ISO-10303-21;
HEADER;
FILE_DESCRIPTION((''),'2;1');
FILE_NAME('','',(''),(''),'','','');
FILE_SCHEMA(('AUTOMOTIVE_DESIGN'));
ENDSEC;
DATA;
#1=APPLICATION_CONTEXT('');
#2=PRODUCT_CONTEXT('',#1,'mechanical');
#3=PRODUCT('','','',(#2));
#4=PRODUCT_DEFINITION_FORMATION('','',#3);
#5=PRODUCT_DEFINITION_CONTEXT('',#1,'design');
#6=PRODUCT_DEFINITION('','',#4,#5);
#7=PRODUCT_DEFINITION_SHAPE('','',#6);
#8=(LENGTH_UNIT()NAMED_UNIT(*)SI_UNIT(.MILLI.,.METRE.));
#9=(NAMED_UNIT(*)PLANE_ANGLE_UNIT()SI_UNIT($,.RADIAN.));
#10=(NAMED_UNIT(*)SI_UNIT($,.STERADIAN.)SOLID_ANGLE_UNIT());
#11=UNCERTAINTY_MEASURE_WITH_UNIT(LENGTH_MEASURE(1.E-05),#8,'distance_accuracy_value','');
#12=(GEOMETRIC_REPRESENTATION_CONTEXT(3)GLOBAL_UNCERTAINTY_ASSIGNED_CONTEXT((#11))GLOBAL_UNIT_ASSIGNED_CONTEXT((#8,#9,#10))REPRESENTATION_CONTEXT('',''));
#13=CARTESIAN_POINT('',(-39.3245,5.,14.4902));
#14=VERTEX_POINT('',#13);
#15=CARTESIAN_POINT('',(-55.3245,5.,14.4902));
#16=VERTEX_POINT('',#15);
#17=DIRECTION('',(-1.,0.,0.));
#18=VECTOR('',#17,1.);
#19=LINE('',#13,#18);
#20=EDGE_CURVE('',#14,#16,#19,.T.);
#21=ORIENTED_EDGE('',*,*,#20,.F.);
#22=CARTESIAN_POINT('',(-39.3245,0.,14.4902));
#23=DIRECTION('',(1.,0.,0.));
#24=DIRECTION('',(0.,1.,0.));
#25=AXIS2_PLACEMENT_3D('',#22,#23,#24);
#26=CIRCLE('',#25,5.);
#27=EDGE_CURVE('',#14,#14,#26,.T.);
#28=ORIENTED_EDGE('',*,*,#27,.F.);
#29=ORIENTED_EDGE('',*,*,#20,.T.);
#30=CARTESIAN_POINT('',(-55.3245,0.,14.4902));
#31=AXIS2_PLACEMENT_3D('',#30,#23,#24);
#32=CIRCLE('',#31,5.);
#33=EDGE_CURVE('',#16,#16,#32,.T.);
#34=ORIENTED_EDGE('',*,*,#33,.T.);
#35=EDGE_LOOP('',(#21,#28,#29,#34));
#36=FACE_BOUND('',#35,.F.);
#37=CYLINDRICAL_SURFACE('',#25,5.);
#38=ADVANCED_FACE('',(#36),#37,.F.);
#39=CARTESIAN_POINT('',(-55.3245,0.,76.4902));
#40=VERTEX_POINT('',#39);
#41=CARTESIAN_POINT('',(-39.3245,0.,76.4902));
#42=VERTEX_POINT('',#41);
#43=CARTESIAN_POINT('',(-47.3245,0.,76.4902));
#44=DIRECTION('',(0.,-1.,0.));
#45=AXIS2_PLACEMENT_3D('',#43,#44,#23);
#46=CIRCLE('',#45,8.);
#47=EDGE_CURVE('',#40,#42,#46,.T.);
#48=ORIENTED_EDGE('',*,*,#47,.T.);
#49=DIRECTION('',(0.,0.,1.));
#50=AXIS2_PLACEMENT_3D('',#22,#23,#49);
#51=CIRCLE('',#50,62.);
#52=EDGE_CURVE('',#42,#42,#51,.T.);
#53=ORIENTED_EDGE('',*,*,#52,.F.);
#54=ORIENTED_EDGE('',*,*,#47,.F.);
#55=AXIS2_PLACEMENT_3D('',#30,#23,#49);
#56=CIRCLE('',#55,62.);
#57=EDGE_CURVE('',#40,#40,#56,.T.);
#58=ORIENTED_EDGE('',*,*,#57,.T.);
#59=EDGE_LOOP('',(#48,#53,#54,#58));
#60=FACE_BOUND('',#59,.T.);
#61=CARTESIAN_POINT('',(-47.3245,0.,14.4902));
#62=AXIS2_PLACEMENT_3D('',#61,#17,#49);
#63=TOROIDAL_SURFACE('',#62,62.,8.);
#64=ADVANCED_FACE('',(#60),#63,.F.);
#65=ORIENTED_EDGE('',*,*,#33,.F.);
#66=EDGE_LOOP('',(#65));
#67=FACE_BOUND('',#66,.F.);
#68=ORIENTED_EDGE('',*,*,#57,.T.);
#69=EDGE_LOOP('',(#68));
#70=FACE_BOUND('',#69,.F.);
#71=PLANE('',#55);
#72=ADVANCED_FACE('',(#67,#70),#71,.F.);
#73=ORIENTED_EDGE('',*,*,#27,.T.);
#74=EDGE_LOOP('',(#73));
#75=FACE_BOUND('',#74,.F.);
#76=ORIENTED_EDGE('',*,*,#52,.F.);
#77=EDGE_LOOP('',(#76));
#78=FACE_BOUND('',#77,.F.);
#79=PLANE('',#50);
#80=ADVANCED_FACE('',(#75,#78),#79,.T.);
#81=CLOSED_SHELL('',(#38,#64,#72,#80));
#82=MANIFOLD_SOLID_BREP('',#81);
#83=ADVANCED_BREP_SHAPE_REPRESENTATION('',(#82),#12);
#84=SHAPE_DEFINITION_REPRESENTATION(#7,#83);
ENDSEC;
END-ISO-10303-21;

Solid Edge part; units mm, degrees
sketch "Sketch1" plane through (0, 0, 0) normal (0, -1, 0) x (1, 0, 0)
  line L0 (-39.3245, 14.4902) -> (-39.3245, 76.4902)
  arc A0 (-55.3245, 76.4902) -> (-39.3245, 76.4902) centre (-47.3245, 76.4902) ccw
  line L1 (-55.3245, 76.4902) -> (-55.3245, 14.4902)
  dimension "D1" = 62
  dimension "D2" = 16
revolve "RevolvedProtrusion1" add sketch "Sketch1" angle 360 about axis through (-55.3245, 0, 14.4902) along (1, 0, 0)
sketch "Sketch2" plane through (-39.3245, 0, 14.4902) normal (1, 0, 0) x (0, 1, 0)
  circle A0 centre (0, 0) radius 5
extrude "Cutout1" cut sketch "Sketch2" against normal through all
properties material "Aluminum, 6061-T6"
